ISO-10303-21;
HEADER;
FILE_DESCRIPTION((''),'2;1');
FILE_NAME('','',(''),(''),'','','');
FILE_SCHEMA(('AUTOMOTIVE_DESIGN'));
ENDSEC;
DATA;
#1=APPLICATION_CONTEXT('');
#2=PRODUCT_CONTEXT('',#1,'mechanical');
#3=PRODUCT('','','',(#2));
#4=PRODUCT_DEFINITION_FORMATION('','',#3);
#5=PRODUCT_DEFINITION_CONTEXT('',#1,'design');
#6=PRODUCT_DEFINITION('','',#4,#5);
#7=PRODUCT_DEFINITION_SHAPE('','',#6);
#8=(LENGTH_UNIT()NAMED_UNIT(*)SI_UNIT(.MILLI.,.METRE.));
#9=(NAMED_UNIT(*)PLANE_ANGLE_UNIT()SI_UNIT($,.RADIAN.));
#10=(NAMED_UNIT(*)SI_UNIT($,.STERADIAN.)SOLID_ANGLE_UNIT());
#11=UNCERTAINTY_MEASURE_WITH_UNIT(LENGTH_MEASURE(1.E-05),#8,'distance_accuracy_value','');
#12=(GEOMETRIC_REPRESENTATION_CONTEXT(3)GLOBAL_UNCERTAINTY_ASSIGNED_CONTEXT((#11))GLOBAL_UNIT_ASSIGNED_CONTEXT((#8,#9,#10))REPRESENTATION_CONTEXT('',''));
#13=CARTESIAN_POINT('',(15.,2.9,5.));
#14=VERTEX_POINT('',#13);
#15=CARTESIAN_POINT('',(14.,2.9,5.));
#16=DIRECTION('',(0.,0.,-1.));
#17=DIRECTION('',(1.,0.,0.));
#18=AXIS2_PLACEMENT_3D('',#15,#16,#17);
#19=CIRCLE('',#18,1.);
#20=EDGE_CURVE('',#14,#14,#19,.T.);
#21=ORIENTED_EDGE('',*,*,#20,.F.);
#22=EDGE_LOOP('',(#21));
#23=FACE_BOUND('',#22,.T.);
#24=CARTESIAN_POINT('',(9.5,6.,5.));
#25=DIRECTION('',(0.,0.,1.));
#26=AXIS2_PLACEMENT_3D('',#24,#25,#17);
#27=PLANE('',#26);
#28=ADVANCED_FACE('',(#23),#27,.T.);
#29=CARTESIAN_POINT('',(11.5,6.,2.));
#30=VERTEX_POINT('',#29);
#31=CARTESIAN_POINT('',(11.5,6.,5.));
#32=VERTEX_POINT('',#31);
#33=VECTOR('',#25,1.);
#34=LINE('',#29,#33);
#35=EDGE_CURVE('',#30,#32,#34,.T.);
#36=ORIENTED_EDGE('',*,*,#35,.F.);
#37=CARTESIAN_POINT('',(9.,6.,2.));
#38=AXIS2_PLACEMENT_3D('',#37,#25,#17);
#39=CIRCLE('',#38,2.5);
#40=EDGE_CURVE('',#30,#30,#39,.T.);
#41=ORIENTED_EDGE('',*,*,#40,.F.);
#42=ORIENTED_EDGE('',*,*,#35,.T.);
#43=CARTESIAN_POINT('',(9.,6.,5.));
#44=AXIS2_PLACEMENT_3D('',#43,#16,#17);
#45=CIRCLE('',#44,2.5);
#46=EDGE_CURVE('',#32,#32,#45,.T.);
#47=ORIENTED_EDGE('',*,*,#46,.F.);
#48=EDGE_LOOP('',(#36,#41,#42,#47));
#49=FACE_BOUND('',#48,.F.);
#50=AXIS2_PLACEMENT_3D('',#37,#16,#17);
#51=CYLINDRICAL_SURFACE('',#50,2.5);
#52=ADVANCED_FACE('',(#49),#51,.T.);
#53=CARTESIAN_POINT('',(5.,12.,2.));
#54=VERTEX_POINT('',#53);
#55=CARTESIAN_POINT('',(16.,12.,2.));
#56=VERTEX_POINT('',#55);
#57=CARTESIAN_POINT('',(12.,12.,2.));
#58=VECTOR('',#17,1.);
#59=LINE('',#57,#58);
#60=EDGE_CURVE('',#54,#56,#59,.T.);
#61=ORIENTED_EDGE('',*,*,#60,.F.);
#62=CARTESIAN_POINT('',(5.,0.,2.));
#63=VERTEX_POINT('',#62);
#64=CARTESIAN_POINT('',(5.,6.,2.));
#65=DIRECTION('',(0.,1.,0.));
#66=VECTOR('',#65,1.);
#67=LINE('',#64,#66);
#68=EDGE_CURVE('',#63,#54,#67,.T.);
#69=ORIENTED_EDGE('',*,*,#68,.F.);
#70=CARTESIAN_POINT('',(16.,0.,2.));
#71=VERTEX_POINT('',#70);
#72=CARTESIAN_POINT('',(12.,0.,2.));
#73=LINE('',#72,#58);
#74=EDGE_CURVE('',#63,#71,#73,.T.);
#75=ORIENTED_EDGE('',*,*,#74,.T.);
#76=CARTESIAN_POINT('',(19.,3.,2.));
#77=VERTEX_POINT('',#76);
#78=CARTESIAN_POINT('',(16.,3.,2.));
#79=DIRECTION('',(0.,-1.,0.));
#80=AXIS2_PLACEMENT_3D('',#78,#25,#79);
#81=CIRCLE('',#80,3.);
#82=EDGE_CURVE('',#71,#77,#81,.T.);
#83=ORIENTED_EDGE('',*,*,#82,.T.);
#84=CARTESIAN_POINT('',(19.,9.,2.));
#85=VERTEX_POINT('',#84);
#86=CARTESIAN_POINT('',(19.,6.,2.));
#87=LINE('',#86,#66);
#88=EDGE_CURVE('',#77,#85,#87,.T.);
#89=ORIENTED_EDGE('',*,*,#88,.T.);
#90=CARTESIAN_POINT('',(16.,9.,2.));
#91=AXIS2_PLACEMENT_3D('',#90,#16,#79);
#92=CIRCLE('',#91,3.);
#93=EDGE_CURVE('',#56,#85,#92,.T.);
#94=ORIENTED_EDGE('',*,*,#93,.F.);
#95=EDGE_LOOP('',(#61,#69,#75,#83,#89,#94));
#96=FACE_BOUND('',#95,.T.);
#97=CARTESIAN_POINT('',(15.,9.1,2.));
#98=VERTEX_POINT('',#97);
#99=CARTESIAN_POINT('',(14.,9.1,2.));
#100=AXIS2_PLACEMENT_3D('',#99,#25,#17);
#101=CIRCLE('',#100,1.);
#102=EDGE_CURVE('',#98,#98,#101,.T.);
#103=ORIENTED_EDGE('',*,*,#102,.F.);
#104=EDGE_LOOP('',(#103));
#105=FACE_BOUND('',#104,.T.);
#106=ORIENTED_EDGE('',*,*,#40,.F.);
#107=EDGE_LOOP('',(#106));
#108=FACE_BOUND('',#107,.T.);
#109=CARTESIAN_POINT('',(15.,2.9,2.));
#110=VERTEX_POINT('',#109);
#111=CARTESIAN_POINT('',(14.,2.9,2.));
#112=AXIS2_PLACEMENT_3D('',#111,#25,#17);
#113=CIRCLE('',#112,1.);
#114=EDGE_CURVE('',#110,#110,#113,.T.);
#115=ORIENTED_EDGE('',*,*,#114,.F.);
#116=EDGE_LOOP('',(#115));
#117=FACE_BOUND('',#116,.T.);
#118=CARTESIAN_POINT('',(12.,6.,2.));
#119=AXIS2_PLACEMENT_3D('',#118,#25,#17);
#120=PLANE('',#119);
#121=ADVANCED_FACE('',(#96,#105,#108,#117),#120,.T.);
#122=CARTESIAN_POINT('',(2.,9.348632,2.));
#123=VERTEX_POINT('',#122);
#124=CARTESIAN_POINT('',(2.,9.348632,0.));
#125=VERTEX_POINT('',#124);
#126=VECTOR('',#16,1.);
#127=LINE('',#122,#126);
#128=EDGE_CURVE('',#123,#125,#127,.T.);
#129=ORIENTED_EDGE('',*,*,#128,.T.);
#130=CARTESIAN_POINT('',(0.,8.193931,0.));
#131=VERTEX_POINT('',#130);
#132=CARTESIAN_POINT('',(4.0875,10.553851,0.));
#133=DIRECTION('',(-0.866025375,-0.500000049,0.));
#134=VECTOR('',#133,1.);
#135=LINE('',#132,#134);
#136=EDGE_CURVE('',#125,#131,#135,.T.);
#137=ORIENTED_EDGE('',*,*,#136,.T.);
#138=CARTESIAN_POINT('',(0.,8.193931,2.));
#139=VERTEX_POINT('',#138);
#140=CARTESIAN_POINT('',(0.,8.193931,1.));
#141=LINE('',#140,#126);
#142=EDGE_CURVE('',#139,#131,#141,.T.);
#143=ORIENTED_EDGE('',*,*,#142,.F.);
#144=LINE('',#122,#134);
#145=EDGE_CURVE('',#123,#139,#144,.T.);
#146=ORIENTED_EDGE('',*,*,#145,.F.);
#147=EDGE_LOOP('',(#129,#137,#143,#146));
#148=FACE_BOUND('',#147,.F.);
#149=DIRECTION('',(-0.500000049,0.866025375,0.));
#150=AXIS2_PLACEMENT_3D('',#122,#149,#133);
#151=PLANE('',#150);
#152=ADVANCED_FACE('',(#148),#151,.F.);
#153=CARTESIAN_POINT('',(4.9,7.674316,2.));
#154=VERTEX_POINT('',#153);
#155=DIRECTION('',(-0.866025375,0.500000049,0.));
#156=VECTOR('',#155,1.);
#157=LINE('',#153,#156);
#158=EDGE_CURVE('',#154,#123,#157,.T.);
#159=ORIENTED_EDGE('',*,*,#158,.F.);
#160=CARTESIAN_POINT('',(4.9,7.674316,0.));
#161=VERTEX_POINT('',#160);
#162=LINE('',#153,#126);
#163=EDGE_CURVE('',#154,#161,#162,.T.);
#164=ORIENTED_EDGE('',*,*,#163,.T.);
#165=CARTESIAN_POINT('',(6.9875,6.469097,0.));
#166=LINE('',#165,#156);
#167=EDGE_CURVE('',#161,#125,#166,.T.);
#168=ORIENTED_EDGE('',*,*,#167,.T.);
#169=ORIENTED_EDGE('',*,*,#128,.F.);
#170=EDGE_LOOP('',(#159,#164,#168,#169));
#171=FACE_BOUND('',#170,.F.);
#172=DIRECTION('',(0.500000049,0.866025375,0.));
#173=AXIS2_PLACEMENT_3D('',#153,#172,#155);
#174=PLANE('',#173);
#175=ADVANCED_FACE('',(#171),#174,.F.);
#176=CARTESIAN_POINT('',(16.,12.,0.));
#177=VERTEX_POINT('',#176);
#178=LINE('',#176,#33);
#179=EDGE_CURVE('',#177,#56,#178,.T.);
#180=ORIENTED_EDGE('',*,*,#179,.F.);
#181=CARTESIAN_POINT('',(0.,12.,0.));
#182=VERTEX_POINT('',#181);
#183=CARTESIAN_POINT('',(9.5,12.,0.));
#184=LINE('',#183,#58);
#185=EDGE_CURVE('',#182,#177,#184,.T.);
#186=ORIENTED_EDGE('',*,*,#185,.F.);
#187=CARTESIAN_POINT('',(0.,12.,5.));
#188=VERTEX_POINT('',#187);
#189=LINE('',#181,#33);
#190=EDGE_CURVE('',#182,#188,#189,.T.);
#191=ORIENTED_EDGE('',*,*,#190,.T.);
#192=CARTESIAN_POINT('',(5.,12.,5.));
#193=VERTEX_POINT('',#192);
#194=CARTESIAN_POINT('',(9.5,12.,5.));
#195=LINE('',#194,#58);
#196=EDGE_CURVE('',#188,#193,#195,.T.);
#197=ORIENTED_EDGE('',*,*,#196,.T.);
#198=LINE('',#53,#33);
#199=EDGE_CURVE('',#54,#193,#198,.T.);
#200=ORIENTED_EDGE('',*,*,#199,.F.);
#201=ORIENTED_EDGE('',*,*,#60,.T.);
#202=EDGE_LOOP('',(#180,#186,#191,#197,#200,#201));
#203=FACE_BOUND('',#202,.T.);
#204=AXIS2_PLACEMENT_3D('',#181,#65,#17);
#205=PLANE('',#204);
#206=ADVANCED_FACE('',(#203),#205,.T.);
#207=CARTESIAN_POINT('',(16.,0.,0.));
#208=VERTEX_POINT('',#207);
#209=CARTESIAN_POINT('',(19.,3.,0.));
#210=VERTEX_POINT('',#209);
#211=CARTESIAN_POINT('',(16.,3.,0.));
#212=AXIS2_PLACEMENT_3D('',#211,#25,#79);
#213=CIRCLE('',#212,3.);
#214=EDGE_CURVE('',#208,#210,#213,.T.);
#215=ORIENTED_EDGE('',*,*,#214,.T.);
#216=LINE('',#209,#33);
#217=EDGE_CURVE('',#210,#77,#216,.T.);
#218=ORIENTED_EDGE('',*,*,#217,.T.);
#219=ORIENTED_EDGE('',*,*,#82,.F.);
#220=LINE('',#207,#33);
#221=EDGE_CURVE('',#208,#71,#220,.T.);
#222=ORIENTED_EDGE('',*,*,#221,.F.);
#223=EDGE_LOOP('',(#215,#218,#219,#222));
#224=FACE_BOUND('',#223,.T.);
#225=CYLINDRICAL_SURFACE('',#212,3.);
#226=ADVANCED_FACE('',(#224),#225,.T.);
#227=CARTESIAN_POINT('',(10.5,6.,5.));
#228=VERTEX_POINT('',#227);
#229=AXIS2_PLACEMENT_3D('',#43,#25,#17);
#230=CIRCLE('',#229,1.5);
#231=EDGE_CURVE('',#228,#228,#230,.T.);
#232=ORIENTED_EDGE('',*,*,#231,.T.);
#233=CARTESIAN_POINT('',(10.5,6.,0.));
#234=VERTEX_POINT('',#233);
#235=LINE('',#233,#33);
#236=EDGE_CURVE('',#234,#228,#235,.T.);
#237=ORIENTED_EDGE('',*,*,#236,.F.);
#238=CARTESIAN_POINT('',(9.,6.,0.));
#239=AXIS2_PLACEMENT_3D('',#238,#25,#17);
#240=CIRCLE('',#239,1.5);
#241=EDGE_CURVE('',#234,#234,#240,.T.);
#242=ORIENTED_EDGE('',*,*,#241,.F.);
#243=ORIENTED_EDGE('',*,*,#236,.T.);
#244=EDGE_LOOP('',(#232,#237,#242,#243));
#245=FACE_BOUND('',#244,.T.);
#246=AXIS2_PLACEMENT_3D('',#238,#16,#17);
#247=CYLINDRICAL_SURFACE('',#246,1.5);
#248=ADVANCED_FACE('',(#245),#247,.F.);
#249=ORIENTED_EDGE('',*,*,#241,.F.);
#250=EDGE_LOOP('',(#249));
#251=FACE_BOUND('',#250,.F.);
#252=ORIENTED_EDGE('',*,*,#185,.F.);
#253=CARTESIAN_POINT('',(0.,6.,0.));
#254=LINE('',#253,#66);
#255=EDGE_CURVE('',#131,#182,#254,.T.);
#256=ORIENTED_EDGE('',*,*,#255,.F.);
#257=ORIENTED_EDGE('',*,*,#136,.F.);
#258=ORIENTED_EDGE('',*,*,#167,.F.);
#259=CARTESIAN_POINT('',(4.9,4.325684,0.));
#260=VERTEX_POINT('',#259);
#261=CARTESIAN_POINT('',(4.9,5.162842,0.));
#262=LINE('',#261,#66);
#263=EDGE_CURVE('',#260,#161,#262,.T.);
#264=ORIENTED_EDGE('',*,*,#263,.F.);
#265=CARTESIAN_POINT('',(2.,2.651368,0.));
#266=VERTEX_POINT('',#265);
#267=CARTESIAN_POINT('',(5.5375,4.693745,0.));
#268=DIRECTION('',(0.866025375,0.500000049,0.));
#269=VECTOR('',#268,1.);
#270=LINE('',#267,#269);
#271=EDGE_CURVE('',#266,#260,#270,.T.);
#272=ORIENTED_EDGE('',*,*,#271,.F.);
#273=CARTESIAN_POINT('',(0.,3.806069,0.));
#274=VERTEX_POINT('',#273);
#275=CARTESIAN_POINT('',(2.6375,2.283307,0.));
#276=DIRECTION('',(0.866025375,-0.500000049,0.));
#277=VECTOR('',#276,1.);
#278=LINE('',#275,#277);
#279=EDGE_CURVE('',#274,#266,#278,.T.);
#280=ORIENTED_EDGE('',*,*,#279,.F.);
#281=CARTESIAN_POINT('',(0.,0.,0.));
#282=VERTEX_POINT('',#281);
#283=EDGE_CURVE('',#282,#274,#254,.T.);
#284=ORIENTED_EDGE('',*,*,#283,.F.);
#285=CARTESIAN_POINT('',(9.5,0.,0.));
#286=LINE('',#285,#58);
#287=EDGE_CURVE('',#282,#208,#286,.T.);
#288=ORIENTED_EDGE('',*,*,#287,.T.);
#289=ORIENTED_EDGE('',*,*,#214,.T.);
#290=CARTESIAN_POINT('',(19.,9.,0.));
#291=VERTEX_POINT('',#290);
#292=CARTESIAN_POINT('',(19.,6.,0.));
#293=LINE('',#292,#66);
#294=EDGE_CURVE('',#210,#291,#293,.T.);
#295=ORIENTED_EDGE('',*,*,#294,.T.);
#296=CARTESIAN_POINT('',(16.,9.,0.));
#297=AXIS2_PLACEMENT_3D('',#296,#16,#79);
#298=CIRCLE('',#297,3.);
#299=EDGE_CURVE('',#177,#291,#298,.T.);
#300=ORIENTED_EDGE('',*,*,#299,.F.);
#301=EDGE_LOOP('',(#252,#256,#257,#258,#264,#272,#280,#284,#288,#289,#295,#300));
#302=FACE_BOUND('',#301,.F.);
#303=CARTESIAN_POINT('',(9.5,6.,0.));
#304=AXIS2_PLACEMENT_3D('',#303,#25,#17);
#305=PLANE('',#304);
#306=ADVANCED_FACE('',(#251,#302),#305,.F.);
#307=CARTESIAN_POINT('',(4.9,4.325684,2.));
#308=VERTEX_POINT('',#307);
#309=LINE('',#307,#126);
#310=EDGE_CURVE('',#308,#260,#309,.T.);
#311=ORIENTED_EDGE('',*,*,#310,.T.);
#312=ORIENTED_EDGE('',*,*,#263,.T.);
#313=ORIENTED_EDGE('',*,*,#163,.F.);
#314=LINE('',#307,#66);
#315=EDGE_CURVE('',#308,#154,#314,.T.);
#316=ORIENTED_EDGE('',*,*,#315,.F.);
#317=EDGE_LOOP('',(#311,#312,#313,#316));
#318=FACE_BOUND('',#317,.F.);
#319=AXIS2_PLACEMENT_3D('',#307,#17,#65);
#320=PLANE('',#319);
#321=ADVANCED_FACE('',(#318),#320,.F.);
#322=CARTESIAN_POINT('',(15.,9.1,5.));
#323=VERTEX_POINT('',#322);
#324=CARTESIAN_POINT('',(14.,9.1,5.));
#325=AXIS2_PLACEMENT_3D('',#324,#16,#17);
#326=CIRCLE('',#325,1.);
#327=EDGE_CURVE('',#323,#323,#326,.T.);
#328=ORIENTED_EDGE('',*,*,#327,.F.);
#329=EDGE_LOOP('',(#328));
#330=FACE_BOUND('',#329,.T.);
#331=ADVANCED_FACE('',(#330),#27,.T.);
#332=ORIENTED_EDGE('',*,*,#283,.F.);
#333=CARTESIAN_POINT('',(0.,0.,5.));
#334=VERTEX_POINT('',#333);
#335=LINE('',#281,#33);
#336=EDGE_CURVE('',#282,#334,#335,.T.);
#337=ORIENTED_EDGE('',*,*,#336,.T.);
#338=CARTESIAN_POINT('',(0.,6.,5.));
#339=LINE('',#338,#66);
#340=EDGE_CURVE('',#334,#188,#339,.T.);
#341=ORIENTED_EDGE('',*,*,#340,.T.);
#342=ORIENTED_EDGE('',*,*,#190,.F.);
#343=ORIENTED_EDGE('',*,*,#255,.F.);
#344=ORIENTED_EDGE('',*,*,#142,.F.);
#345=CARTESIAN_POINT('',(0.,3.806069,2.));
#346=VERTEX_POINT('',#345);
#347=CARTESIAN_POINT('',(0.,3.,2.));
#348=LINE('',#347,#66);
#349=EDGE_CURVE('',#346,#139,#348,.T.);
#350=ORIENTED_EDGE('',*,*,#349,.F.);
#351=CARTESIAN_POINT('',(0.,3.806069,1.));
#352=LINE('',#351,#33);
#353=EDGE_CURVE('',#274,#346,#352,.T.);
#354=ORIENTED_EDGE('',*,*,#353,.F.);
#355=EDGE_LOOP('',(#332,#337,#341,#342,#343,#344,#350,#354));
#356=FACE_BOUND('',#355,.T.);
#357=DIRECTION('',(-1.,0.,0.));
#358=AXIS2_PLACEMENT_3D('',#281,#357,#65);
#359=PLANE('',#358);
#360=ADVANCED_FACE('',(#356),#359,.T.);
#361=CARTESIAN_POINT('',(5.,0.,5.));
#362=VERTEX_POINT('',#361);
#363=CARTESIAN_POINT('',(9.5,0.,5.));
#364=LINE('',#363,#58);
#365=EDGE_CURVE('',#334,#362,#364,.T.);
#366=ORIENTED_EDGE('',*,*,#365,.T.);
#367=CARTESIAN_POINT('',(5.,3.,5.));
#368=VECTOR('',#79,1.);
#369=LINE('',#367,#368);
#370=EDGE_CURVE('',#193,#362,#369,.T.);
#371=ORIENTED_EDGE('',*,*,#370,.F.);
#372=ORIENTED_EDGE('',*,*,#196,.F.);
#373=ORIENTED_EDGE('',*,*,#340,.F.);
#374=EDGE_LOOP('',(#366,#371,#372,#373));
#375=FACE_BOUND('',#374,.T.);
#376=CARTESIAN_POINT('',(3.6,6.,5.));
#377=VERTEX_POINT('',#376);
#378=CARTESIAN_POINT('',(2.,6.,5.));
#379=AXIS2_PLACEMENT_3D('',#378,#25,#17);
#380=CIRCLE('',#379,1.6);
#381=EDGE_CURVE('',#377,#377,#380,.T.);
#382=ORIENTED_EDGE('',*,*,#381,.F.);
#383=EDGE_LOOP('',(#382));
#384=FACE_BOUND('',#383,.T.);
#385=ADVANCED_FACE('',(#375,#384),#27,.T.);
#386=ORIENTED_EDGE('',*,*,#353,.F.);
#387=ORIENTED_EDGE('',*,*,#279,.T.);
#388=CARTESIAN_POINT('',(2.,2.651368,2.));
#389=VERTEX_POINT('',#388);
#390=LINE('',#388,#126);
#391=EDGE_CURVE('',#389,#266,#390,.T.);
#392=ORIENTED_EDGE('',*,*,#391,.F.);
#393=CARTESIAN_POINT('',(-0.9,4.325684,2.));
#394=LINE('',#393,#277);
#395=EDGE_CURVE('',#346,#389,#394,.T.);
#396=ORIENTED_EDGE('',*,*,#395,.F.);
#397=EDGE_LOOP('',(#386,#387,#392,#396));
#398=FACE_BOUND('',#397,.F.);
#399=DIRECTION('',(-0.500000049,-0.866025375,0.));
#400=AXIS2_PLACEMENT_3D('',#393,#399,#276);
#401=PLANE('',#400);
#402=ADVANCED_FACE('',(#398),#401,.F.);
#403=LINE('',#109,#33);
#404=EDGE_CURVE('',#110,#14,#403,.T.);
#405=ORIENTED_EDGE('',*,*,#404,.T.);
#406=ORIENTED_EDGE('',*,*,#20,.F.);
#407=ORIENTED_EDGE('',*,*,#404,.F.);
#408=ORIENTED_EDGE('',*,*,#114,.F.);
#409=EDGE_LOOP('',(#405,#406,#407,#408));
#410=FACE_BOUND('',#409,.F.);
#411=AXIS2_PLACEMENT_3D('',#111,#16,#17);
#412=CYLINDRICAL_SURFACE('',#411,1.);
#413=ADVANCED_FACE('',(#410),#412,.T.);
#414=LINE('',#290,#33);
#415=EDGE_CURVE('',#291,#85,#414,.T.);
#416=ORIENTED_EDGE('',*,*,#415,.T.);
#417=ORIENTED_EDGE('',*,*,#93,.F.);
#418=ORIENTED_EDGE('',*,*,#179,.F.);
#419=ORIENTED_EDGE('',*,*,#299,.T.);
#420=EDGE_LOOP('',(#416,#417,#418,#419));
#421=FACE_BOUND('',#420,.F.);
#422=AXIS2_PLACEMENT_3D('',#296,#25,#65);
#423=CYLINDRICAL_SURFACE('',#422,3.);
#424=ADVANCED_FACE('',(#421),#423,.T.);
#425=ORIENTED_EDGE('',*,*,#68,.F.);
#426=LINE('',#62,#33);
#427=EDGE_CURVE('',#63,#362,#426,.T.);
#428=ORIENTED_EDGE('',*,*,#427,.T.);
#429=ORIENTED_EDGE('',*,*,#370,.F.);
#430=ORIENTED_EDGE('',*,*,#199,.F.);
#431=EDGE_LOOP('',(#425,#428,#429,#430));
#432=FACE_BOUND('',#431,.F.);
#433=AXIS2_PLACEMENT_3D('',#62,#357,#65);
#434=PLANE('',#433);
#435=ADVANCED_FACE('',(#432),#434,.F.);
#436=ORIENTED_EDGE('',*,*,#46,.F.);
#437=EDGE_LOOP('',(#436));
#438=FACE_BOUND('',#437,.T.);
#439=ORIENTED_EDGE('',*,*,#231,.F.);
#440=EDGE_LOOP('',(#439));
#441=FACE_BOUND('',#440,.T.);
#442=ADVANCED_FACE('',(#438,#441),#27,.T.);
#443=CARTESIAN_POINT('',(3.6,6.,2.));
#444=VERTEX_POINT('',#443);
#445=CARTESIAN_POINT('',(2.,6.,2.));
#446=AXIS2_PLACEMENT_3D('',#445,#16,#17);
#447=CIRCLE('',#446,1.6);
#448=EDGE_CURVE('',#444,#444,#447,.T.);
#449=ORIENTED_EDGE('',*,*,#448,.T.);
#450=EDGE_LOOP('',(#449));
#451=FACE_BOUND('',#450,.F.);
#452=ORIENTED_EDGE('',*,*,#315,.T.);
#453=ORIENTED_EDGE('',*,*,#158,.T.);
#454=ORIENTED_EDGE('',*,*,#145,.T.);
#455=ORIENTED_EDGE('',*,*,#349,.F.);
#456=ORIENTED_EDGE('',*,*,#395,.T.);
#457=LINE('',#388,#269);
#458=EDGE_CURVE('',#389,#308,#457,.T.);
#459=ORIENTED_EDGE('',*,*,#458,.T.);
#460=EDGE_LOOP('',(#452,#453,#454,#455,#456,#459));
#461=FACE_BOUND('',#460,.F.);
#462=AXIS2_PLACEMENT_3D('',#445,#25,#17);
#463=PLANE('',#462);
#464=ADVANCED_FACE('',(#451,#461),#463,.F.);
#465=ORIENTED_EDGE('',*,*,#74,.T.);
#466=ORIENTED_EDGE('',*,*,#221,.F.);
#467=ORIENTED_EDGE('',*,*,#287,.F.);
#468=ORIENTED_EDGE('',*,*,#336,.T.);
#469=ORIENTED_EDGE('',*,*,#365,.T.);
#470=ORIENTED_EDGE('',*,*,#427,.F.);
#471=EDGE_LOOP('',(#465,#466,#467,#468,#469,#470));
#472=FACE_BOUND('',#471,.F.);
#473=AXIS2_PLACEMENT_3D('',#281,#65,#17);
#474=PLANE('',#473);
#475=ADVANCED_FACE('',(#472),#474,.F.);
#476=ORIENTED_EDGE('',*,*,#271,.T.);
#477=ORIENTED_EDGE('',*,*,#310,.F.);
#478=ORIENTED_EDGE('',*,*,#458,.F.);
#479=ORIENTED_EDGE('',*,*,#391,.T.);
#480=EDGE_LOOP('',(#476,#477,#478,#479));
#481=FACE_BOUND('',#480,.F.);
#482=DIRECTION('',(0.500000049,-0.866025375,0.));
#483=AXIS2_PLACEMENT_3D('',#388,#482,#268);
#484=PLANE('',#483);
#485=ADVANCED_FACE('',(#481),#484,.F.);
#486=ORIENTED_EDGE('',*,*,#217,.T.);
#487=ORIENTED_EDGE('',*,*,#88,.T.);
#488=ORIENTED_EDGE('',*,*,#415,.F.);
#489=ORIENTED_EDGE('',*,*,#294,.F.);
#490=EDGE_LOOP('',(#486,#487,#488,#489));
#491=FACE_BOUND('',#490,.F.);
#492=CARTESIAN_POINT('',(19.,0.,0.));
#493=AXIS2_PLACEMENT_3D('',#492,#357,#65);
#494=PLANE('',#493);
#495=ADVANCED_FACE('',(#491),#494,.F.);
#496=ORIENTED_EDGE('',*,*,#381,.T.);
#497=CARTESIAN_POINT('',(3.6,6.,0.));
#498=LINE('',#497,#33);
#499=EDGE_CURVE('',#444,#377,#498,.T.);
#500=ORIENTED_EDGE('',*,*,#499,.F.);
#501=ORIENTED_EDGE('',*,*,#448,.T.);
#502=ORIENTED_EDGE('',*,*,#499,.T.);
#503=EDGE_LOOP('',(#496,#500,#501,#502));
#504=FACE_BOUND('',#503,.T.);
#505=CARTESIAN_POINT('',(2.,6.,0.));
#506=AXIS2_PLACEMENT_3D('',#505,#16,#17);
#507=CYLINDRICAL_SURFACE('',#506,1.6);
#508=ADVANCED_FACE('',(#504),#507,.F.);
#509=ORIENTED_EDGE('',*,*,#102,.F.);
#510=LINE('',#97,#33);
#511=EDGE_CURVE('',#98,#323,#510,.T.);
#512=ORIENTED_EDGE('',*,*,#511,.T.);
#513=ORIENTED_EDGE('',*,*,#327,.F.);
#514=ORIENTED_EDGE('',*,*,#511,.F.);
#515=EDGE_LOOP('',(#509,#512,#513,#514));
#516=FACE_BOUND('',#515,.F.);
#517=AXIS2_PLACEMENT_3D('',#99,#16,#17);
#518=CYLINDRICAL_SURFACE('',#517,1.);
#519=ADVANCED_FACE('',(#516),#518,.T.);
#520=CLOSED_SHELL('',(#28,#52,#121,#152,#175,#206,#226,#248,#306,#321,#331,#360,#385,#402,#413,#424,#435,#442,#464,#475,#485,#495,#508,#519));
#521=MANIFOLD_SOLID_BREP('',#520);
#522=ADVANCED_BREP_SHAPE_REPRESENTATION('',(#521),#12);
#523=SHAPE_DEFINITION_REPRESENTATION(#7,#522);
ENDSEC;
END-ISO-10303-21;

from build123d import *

# Parameters (mm, degrees)
SKETCH_W        = 19
SKETCH_H        = 12
SKETCH_R        = 1.6
SKETCH_R_2      = 1.5
PAD_DEPTH       = 5
SKETCH001_W     = 14
SKETCH001_H     = 12
SKETCH001_R     = 2.5
SKETCH001_R_2   = 1
POCKET_DEPTH    = 3.001
POCKET001_DEPTH = 2.001
FILLET_R        = 3


with BuildPart() as part:
    # Sketch → Pad (new body)
    with BuildSketch(Plane.XY):
        with Locations((9.5, 6)):
            Rectangle(SKETCH_W, SKETCH_H)
        with Locations((2, 6)):
            Circle(SKETCH_R, mode=Mode.SUBTRACT)
        with Locations((9, 6)):
            Circle(SKETCH_R_2, mode=Mode.SUBTRACT)
    extrude(amount=PAD_DEPTH)

    # Sketch001 (on DatumPlane) → Pocket (cut, through all)
    with BuildSketch(Plane.XY.offset(2)):
        with Locations((12, 6)):
            Rectangle(SKETCH001_W, SKETCH001_H)
        with Locations((9, 6)):
            Circle(SKETCH001_R, mode=Mode.SUBTRACT)
        with Locations((14, 9.1)):
            Circle(SKETCH001_R_2, mode=Mode.SUBTRACT)
        with Locations((14, 2.9)):
            Circle(SKETCH001_R_2, mode=Mode.SUBTRACT)
    extrude(amount=POCKET_DEPTH, mode=Mode.SUBTRACT)

    # Sketch002 (on DatumPlane) → Pocket001 (cut, through all)
    with BuildSketch(Plane.XY.offset(2)):
        Polygon((4.9, 4.325684), (4.9, 7.674316), (2, 9.348632), (-0.9, 7.674316), (-0.9, 4.325684), (2, 2.651368), align=None)
    extrude(amount=-POCKET001_DEPTH, mode=Mode.SUBTRACT)

    # Fillet
    fillet_edges = [part.edges().sort_by_distance(p)[0] for p in [
        (19, 0, 1),
        (19, 12, 1),
    ]]
    fillet(fillet_edges, radius=FILLET_R)


solid = part.part
